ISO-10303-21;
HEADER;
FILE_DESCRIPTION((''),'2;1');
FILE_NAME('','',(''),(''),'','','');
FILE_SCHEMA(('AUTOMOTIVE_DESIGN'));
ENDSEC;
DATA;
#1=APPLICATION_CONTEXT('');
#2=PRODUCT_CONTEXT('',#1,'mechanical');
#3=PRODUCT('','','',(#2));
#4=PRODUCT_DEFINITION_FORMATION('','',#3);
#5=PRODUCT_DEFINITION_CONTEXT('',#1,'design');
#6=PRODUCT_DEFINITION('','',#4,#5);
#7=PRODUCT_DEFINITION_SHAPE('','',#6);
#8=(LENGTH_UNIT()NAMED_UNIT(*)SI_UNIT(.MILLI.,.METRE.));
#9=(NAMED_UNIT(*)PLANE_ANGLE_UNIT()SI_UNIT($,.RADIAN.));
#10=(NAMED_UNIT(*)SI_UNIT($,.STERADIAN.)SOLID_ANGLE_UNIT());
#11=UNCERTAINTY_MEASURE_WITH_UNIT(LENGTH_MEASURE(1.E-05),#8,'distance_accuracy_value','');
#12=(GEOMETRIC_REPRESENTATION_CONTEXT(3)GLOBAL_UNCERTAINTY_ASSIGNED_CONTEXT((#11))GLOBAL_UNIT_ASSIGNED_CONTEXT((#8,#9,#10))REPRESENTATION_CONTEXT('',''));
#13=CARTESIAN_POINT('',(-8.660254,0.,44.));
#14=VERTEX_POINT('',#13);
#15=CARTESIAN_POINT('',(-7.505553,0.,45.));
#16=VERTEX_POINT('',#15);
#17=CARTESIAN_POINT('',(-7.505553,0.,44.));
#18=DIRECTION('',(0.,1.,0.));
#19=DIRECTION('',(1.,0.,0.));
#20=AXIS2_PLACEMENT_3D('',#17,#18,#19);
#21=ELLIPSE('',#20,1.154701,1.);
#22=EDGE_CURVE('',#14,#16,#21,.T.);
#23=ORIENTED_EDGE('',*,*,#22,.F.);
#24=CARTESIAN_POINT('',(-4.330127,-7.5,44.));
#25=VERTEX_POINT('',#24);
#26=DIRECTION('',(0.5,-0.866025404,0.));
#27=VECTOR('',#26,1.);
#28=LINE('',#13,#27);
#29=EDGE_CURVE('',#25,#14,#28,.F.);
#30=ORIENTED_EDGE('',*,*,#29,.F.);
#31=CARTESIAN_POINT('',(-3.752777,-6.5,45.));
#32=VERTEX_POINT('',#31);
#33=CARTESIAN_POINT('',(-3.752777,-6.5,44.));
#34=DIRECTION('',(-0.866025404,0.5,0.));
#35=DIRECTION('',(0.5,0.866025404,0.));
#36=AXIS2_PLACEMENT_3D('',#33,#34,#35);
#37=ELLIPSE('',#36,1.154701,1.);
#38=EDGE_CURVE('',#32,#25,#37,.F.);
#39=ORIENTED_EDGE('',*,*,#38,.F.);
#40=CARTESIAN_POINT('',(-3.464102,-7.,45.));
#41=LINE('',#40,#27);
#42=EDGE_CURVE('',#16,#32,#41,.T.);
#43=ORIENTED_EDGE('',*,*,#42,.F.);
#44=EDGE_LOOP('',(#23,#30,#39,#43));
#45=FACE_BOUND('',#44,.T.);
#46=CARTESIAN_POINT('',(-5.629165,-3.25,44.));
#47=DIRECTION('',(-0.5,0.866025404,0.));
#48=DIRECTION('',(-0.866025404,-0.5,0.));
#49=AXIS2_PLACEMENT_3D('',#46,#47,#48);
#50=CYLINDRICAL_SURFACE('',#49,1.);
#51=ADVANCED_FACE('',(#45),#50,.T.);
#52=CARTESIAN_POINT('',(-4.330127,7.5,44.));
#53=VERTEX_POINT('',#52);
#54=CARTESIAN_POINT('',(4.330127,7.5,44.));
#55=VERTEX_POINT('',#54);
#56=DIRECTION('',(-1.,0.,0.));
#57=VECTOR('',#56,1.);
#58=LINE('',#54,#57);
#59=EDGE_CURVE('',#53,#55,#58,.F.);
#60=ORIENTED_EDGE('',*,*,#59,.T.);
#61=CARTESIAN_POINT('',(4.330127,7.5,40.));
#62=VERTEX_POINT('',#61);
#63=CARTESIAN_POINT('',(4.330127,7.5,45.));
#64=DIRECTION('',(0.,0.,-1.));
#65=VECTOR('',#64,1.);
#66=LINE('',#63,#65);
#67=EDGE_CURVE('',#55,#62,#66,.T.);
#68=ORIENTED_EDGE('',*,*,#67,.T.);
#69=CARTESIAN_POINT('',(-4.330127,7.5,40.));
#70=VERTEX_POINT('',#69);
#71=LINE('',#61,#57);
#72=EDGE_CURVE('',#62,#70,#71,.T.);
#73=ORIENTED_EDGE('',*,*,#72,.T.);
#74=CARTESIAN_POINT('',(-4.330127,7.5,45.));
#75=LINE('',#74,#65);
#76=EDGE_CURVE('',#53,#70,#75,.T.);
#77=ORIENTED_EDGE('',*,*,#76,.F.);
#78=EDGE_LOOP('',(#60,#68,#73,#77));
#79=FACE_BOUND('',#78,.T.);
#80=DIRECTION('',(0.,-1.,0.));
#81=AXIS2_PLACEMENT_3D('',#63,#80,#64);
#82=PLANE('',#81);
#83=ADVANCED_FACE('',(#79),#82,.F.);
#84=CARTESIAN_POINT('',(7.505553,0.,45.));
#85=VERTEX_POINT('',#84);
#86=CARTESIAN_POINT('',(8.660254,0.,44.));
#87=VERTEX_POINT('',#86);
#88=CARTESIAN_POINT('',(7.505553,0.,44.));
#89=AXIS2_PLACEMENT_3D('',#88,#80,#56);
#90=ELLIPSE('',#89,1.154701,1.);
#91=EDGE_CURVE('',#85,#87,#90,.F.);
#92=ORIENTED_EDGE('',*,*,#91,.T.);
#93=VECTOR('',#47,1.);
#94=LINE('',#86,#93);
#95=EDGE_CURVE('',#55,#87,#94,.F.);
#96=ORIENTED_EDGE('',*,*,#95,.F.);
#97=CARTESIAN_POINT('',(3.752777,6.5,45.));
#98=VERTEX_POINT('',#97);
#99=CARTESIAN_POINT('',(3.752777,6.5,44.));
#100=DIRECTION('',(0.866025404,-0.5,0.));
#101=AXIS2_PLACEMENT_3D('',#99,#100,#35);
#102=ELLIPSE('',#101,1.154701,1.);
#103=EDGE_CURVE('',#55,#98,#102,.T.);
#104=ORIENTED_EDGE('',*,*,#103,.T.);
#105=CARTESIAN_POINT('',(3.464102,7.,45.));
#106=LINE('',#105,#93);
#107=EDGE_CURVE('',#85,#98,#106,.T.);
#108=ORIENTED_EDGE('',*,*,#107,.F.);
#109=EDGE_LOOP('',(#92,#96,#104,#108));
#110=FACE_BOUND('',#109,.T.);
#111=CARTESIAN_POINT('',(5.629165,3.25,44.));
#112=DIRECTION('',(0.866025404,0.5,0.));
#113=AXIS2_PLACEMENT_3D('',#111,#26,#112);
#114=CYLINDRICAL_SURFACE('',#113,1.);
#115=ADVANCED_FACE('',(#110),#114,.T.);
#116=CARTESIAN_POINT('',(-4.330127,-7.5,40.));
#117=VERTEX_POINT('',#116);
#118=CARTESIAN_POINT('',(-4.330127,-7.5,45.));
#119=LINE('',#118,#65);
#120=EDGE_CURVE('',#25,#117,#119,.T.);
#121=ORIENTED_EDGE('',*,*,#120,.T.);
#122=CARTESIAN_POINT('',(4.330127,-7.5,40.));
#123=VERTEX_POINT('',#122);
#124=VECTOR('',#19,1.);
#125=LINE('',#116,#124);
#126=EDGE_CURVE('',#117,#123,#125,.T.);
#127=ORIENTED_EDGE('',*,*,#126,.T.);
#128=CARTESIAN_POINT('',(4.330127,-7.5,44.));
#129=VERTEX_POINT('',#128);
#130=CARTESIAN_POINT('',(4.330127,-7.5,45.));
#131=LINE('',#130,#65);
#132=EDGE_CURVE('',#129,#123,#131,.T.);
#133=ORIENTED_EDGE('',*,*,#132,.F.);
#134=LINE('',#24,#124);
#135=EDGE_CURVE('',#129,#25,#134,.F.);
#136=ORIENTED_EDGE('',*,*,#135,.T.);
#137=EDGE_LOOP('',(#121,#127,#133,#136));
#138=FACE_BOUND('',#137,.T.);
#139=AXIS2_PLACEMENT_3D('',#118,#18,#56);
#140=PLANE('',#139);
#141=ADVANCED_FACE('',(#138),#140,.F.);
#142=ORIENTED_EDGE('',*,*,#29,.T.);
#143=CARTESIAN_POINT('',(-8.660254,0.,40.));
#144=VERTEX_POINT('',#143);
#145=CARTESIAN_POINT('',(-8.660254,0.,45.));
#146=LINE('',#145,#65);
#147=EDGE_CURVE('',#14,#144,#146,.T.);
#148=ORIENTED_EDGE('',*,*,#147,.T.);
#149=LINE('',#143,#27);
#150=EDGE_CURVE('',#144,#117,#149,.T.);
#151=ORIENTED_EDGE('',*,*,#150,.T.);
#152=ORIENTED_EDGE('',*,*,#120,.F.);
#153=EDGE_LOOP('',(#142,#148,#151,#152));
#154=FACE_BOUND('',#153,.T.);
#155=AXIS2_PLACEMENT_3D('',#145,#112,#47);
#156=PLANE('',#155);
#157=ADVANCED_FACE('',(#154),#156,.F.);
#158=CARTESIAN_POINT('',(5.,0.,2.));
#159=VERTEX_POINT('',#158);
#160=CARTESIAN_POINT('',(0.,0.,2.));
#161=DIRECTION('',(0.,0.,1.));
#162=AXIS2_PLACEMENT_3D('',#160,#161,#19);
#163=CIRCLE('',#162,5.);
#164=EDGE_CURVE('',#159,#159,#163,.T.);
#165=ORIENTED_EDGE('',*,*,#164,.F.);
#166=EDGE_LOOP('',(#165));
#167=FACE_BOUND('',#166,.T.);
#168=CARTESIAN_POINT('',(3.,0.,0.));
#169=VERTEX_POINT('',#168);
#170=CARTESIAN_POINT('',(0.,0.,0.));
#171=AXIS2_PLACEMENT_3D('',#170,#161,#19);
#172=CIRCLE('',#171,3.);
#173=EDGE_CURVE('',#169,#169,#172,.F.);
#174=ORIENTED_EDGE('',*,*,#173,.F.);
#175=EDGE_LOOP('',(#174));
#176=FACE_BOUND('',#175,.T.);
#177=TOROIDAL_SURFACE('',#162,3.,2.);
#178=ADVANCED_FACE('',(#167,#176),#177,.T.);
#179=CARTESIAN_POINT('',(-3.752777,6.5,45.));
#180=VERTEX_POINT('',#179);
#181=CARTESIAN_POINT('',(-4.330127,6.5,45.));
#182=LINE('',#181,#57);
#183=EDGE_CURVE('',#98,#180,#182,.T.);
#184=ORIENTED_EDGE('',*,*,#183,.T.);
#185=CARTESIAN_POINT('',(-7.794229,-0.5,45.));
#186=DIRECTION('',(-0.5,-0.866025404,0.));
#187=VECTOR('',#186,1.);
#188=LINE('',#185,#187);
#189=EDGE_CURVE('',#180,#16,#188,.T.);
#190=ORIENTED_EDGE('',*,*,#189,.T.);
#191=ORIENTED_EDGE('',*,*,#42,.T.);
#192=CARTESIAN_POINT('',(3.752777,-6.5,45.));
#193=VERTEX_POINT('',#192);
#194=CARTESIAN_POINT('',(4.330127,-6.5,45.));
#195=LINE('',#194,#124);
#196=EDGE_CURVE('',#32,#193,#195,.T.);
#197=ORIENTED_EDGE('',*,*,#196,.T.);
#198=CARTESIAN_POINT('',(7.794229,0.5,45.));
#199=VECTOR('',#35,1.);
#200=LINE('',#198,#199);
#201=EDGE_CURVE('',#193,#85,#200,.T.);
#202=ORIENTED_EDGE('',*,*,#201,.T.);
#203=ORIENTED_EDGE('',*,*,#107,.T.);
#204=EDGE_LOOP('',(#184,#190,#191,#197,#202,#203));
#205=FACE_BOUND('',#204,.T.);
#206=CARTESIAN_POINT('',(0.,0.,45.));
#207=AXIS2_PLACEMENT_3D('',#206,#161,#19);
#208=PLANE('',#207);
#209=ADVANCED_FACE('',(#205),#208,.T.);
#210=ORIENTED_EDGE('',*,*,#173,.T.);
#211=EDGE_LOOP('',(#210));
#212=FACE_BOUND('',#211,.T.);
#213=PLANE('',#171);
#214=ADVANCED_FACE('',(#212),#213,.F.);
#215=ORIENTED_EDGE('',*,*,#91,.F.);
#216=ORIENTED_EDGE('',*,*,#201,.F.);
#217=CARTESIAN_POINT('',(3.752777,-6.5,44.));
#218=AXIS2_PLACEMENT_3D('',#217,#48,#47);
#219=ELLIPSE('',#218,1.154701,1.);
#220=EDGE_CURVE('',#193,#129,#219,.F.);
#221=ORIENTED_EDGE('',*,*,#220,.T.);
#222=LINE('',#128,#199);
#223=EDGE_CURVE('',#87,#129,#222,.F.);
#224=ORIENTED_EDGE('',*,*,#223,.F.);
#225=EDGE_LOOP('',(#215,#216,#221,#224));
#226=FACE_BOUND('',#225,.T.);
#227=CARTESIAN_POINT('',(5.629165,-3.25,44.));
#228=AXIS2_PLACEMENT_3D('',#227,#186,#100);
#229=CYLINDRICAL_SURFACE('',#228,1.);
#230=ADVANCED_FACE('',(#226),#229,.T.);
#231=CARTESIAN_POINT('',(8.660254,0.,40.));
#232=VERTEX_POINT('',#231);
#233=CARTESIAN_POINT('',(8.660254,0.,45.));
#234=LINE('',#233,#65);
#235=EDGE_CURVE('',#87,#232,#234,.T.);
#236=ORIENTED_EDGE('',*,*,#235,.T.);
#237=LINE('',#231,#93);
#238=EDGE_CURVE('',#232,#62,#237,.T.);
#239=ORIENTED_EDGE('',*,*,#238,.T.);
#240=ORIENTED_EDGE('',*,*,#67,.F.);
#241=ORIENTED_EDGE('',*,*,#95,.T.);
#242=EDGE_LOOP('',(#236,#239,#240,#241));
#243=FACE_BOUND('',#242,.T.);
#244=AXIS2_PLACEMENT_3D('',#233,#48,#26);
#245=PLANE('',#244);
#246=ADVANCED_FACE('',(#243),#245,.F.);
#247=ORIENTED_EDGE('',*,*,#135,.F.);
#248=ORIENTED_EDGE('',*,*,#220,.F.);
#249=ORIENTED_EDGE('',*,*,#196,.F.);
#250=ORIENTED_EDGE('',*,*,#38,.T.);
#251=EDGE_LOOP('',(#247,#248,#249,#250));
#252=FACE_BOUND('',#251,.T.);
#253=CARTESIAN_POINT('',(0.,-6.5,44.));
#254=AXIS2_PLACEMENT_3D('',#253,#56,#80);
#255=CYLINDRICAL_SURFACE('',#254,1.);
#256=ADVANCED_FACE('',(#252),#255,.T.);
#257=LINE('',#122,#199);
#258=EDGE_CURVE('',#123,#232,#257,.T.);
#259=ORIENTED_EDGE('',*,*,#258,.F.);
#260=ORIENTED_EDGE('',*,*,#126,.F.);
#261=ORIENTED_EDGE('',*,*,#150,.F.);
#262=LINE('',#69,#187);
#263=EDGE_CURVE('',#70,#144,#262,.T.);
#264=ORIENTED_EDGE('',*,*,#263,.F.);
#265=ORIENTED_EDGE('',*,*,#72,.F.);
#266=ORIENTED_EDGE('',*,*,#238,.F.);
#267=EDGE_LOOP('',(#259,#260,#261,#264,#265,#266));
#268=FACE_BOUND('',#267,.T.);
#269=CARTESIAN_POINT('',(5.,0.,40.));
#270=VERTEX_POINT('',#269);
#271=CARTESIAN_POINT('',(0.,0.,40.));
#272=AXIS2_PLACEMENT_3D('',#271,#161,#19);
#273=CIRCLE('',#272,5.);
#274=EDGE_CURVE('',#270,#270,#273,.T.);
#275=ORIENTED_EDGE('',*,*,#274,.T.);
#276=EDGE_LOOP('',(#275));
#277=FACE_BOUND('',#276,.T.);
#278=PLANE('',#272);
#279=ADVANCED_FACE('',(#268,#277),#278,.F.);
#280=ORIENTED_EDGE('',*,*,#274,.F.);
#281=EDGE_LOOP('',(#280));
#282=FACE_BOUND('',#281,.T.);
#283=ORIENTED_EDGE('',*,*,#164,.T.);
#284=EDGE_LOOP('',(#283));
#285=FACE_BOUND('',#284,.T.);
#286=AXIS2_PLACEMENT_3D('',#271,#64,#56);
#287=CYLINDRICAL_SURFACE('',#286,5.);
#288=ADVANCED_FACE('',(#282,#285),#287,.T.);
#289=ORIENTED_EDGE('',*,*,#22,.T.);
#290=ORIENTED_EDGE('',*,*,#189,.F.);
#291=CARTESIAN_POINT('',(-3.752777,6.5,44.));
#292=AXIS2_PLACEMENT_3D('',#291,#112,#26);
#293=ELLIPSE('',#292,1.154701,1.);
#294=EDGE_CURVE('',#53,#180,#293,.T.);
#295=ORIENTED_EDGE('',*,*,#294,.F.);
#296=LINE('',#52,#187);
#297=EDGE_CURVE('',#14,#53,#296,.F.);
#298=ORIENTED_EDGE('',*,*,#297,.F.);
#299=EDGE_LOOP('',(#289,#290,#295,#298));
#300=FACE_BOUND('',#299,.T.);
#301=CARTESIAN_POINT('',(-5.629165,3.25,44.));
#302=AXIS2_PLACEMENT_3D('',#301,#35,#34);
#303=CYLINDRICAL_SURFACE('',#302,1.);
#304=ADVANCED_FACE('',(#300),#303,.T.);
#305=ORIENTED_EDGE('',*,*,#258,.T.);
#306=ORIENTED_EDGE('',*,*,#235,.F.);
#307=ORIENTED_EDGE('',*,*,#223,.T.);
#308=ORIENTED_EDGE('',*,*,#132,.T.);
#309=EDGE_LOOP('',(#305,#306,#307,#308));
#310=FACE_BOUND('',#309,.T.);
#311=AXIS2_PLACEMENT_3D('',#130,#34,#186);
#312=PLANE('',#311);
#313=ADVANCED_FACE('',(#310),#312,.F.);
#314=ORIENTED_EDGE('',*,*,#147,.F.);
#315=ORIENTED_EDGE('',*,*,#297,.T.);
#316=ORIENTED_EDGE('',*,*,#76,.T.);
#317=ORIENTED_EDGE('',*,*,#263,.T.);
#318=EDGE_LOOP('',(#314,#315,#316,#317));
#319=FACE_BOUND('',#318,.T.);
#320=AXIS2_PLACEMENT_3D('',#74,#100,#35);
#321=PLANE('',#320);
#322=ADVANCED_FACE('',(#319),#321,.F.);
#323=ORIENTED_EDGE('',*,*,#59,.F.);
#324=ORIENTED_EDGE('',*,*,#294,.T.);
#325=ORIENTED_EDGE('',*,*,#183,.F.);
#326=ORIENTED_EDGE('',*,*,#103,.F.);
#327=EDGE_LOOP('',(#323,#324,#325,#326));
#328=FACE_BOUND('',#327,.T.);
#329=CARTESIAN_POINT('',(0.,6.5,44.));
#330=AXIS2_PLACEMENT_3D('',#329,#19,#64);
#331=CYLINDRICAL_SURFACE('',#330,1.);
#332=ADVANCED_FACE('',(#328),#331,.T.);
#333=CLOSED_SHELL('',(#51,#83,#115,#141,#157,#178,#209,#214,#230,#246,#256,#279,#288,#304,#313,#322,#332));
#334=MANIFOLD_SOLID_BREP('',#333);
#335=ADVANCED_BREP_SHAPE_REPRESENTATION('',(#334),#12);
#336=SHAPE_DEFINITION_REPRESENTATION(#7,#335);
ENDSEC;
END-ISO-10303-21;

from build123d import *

# Parameters (mm, degrees)
SKETCH_1_R      = 5
EXTRUDE_1_DEPTH = 40
EXTRUDE_2_DEPTH = 5
FILLET_1_R      = 1
FILLET_2_R      = 2


with BuildPart() as part:
    # 草图1 → 凸台-拉伸1 (new body)
    with BuildSketch(Plane.XY):
        Circle(SKETCH_1_R)
    extrude(amount=EXTRUDE_1_DEPTH)

    # 草图2 → 凸台-拉伸2 (add)
    with BuildSketch(Plane.XY.offset(40)):
        Polygon((4.330127019, -7.5), (8.660254038, 0), (4.330127019, 7.5), (-4.330127019, 7.5), (-8.660254038, 0), (-4.330127019, -7.5), align=None)
    extrude(amount=EXTRUDE_2_DEPTH)

    # 圆角1
    fillet_1_edges = [part.edges().sort_by_distance(p)[0] for p in [
        (0, -7.5, 45),
        (6.495190528, -3.75, 45),
        (6.495190528, 3.75, 45),
        (0, 7.5, 45),
        (-6.495190528, 3.75, 45),
        (-6.495190528, -3.75, 45),
    ]]
    fillet(fillet_1_edges, radius=FILLET_1_R)

    # 圆角2
    fillet_2_edges = [part.edges().sort_by_distance(p)[0] for p in [
        (-5, 0, 0),
    ]]
    fillet(fillet_2_edges, radius=FILLET_2_R)


solid = part.part
